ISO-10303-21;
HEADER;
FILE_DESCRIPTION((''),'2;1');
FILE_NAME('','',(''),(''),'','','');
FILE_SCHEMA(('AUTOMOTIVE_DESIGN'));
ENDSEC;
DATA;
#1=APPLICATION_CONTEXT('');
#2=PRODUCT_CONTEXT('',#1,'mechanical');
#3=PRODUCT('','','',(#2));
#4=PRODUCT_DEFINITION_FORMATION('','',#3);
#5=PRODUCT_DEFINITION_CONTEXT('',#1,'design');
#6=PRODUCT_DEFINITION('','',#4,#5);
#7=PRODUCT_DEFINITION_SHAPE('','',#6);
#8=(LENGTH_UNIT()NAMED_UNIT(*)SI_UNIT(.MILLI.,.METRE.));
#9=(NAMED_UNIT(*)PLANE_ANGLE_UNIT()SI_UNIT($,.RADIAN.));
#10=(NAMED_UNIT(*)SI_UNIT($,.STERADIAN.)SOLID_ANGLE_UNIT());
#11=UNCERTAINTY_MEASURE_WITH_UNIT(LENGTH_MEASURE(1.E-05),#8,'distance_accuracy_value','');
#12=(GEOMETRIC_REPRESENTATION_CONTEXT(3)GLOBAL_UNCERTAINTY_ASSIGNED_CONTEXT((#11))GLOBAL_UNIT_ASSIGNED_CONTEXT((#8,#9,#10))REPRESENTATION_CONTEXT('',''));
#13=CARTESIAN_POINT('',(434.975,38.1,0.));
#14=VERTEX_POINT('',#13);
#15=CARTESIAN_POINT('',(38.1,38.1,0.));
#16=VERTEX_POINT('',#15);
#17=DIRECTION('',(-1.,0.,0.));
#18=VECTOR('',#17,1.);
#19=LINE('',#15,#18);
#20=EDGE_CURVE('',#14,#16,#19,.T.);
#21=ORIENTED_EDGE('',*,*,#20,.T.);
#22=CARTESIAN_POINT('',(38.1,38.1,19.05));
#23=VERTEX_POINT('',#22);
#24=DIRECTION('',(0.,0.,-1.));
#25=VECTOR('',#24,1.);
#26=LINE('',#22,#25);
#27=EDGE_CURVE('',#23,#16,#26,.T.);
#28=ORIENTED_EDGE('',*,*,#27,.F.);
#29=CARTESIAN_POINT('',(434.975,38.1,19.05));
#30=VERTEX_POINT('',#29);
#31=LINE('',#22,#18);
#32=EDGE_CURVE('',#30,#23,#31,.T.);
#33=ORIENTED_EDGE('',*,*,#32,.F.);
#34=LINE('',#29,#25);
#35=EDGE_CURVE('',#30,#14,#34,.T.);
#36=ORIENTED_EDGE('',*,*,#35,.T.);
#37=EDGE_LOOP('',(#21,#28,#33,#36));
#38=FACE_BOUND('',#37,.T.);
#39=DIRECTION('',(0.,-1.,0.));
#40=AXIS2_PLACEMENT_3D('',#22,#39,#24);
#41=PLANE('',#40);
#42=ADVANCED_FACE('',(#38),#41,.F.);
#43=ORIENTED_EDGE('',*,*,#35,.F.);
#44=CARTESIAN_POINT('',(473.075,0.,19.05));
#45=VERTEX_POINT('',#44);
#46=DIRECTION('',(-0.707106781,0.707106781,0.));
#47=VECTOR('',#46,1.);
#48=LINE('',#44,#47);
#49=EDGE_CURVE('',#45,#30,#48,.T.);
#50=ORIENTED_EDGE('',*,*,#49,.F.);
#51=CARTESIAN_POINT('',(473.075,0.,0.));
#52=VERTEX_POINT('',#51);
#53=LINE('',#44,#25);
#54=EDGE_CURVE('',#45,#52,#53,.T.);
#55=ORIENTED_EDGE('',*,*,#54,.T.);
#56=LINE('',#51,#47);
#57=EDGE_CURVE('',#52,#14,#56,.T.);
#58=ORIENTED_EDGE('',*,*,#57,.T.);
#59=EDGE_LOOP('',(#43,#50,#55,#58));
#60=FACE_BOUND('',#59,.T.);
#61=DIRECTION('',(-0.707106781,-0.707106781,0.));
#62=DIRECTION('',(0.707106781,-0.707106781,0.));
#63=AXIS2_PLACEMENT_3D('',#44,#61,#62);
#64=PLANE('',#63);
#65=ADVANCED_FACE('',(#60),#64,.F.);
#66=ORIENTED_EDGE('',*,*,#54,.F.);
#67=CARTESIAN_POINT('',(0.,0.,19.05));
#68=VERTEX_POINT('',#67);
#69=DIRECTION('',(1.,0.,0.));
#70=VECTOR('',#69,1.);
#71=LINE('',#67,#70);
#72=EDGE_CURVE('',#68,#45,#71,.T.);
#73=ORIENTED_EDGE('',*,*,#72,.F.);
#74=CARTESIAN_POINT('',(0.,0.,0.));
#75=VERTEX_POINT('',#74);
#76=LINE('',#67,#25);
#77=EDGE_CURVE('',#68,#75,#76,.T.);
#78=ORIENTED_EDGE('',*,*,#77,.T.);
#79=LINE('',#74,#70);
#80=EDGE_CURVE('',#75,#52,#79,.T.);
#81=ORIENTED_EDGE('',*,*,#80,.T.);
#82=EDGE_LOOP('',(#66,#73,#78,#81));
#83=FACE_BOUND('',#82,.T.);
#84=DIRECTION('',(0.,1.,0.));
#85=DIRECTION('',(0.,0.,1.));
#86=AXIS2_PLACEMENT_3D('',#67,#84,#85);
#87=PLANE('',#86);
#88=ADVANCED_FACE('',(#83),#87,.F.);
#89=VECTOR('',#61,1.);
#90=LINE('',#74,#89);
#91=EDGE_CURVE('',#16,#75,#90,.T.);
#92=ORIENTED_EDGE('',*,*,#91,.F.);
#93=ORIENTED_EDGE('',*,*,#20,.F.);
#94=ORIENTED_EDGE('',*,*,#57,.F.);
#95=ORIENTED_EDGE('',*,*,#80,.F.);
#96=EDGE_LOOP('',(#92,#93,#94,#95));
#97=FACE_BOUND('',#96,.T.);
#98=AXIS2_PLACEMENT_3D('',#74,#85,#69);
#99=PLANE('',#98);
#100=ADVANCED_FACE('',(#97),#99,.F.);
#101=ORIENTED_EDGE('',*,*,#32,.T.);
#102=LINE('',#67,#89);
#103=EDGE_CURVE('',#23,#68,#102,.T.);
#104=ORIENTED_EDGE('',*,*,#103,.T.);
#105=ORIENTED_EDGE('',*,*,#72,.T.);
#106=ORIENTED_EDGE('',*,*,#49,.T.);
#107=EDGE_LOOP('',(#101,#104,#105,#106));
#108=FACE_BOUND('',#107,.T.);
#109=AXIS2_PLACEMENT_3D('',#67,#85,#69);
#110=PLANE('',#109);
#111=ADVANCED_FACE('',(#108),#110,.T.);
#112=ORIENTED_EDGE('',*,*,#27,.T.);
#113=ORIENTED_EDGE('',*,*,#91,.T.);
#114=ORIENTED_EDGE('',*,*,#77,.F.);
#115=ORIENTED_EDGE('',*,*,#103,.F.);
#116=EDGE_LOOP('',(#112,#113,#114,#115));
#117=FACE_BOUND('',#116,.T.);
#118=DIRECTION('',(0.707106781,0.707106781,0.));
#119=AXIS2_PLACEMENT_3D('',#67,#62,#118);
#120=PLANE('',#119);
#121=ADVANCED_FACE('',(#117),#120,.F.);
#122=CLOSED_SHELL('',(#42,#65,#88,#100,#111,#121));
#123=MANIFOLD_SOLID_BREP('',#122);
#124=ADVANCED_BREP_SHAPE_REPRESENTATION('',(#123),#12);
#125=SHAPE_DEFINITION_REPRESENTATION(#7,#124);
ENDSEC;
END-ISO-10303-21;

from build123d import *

# Parameters (mm, degrees)
BOSS_EXTRUDE1_DEPTH = 19.05


with BuildPart() as part:
    # Sketch1 → Boss-Extrude1 (new body)
    with BuildSketch(Plane.XY):
        Polygon((0, 0), (38.1, 38.1), (434.975, 38.1), (473.075, 0), align=None)
    extrude(amount=BOSS_EXTRUDE1_DEPTH)


solid = part.part
